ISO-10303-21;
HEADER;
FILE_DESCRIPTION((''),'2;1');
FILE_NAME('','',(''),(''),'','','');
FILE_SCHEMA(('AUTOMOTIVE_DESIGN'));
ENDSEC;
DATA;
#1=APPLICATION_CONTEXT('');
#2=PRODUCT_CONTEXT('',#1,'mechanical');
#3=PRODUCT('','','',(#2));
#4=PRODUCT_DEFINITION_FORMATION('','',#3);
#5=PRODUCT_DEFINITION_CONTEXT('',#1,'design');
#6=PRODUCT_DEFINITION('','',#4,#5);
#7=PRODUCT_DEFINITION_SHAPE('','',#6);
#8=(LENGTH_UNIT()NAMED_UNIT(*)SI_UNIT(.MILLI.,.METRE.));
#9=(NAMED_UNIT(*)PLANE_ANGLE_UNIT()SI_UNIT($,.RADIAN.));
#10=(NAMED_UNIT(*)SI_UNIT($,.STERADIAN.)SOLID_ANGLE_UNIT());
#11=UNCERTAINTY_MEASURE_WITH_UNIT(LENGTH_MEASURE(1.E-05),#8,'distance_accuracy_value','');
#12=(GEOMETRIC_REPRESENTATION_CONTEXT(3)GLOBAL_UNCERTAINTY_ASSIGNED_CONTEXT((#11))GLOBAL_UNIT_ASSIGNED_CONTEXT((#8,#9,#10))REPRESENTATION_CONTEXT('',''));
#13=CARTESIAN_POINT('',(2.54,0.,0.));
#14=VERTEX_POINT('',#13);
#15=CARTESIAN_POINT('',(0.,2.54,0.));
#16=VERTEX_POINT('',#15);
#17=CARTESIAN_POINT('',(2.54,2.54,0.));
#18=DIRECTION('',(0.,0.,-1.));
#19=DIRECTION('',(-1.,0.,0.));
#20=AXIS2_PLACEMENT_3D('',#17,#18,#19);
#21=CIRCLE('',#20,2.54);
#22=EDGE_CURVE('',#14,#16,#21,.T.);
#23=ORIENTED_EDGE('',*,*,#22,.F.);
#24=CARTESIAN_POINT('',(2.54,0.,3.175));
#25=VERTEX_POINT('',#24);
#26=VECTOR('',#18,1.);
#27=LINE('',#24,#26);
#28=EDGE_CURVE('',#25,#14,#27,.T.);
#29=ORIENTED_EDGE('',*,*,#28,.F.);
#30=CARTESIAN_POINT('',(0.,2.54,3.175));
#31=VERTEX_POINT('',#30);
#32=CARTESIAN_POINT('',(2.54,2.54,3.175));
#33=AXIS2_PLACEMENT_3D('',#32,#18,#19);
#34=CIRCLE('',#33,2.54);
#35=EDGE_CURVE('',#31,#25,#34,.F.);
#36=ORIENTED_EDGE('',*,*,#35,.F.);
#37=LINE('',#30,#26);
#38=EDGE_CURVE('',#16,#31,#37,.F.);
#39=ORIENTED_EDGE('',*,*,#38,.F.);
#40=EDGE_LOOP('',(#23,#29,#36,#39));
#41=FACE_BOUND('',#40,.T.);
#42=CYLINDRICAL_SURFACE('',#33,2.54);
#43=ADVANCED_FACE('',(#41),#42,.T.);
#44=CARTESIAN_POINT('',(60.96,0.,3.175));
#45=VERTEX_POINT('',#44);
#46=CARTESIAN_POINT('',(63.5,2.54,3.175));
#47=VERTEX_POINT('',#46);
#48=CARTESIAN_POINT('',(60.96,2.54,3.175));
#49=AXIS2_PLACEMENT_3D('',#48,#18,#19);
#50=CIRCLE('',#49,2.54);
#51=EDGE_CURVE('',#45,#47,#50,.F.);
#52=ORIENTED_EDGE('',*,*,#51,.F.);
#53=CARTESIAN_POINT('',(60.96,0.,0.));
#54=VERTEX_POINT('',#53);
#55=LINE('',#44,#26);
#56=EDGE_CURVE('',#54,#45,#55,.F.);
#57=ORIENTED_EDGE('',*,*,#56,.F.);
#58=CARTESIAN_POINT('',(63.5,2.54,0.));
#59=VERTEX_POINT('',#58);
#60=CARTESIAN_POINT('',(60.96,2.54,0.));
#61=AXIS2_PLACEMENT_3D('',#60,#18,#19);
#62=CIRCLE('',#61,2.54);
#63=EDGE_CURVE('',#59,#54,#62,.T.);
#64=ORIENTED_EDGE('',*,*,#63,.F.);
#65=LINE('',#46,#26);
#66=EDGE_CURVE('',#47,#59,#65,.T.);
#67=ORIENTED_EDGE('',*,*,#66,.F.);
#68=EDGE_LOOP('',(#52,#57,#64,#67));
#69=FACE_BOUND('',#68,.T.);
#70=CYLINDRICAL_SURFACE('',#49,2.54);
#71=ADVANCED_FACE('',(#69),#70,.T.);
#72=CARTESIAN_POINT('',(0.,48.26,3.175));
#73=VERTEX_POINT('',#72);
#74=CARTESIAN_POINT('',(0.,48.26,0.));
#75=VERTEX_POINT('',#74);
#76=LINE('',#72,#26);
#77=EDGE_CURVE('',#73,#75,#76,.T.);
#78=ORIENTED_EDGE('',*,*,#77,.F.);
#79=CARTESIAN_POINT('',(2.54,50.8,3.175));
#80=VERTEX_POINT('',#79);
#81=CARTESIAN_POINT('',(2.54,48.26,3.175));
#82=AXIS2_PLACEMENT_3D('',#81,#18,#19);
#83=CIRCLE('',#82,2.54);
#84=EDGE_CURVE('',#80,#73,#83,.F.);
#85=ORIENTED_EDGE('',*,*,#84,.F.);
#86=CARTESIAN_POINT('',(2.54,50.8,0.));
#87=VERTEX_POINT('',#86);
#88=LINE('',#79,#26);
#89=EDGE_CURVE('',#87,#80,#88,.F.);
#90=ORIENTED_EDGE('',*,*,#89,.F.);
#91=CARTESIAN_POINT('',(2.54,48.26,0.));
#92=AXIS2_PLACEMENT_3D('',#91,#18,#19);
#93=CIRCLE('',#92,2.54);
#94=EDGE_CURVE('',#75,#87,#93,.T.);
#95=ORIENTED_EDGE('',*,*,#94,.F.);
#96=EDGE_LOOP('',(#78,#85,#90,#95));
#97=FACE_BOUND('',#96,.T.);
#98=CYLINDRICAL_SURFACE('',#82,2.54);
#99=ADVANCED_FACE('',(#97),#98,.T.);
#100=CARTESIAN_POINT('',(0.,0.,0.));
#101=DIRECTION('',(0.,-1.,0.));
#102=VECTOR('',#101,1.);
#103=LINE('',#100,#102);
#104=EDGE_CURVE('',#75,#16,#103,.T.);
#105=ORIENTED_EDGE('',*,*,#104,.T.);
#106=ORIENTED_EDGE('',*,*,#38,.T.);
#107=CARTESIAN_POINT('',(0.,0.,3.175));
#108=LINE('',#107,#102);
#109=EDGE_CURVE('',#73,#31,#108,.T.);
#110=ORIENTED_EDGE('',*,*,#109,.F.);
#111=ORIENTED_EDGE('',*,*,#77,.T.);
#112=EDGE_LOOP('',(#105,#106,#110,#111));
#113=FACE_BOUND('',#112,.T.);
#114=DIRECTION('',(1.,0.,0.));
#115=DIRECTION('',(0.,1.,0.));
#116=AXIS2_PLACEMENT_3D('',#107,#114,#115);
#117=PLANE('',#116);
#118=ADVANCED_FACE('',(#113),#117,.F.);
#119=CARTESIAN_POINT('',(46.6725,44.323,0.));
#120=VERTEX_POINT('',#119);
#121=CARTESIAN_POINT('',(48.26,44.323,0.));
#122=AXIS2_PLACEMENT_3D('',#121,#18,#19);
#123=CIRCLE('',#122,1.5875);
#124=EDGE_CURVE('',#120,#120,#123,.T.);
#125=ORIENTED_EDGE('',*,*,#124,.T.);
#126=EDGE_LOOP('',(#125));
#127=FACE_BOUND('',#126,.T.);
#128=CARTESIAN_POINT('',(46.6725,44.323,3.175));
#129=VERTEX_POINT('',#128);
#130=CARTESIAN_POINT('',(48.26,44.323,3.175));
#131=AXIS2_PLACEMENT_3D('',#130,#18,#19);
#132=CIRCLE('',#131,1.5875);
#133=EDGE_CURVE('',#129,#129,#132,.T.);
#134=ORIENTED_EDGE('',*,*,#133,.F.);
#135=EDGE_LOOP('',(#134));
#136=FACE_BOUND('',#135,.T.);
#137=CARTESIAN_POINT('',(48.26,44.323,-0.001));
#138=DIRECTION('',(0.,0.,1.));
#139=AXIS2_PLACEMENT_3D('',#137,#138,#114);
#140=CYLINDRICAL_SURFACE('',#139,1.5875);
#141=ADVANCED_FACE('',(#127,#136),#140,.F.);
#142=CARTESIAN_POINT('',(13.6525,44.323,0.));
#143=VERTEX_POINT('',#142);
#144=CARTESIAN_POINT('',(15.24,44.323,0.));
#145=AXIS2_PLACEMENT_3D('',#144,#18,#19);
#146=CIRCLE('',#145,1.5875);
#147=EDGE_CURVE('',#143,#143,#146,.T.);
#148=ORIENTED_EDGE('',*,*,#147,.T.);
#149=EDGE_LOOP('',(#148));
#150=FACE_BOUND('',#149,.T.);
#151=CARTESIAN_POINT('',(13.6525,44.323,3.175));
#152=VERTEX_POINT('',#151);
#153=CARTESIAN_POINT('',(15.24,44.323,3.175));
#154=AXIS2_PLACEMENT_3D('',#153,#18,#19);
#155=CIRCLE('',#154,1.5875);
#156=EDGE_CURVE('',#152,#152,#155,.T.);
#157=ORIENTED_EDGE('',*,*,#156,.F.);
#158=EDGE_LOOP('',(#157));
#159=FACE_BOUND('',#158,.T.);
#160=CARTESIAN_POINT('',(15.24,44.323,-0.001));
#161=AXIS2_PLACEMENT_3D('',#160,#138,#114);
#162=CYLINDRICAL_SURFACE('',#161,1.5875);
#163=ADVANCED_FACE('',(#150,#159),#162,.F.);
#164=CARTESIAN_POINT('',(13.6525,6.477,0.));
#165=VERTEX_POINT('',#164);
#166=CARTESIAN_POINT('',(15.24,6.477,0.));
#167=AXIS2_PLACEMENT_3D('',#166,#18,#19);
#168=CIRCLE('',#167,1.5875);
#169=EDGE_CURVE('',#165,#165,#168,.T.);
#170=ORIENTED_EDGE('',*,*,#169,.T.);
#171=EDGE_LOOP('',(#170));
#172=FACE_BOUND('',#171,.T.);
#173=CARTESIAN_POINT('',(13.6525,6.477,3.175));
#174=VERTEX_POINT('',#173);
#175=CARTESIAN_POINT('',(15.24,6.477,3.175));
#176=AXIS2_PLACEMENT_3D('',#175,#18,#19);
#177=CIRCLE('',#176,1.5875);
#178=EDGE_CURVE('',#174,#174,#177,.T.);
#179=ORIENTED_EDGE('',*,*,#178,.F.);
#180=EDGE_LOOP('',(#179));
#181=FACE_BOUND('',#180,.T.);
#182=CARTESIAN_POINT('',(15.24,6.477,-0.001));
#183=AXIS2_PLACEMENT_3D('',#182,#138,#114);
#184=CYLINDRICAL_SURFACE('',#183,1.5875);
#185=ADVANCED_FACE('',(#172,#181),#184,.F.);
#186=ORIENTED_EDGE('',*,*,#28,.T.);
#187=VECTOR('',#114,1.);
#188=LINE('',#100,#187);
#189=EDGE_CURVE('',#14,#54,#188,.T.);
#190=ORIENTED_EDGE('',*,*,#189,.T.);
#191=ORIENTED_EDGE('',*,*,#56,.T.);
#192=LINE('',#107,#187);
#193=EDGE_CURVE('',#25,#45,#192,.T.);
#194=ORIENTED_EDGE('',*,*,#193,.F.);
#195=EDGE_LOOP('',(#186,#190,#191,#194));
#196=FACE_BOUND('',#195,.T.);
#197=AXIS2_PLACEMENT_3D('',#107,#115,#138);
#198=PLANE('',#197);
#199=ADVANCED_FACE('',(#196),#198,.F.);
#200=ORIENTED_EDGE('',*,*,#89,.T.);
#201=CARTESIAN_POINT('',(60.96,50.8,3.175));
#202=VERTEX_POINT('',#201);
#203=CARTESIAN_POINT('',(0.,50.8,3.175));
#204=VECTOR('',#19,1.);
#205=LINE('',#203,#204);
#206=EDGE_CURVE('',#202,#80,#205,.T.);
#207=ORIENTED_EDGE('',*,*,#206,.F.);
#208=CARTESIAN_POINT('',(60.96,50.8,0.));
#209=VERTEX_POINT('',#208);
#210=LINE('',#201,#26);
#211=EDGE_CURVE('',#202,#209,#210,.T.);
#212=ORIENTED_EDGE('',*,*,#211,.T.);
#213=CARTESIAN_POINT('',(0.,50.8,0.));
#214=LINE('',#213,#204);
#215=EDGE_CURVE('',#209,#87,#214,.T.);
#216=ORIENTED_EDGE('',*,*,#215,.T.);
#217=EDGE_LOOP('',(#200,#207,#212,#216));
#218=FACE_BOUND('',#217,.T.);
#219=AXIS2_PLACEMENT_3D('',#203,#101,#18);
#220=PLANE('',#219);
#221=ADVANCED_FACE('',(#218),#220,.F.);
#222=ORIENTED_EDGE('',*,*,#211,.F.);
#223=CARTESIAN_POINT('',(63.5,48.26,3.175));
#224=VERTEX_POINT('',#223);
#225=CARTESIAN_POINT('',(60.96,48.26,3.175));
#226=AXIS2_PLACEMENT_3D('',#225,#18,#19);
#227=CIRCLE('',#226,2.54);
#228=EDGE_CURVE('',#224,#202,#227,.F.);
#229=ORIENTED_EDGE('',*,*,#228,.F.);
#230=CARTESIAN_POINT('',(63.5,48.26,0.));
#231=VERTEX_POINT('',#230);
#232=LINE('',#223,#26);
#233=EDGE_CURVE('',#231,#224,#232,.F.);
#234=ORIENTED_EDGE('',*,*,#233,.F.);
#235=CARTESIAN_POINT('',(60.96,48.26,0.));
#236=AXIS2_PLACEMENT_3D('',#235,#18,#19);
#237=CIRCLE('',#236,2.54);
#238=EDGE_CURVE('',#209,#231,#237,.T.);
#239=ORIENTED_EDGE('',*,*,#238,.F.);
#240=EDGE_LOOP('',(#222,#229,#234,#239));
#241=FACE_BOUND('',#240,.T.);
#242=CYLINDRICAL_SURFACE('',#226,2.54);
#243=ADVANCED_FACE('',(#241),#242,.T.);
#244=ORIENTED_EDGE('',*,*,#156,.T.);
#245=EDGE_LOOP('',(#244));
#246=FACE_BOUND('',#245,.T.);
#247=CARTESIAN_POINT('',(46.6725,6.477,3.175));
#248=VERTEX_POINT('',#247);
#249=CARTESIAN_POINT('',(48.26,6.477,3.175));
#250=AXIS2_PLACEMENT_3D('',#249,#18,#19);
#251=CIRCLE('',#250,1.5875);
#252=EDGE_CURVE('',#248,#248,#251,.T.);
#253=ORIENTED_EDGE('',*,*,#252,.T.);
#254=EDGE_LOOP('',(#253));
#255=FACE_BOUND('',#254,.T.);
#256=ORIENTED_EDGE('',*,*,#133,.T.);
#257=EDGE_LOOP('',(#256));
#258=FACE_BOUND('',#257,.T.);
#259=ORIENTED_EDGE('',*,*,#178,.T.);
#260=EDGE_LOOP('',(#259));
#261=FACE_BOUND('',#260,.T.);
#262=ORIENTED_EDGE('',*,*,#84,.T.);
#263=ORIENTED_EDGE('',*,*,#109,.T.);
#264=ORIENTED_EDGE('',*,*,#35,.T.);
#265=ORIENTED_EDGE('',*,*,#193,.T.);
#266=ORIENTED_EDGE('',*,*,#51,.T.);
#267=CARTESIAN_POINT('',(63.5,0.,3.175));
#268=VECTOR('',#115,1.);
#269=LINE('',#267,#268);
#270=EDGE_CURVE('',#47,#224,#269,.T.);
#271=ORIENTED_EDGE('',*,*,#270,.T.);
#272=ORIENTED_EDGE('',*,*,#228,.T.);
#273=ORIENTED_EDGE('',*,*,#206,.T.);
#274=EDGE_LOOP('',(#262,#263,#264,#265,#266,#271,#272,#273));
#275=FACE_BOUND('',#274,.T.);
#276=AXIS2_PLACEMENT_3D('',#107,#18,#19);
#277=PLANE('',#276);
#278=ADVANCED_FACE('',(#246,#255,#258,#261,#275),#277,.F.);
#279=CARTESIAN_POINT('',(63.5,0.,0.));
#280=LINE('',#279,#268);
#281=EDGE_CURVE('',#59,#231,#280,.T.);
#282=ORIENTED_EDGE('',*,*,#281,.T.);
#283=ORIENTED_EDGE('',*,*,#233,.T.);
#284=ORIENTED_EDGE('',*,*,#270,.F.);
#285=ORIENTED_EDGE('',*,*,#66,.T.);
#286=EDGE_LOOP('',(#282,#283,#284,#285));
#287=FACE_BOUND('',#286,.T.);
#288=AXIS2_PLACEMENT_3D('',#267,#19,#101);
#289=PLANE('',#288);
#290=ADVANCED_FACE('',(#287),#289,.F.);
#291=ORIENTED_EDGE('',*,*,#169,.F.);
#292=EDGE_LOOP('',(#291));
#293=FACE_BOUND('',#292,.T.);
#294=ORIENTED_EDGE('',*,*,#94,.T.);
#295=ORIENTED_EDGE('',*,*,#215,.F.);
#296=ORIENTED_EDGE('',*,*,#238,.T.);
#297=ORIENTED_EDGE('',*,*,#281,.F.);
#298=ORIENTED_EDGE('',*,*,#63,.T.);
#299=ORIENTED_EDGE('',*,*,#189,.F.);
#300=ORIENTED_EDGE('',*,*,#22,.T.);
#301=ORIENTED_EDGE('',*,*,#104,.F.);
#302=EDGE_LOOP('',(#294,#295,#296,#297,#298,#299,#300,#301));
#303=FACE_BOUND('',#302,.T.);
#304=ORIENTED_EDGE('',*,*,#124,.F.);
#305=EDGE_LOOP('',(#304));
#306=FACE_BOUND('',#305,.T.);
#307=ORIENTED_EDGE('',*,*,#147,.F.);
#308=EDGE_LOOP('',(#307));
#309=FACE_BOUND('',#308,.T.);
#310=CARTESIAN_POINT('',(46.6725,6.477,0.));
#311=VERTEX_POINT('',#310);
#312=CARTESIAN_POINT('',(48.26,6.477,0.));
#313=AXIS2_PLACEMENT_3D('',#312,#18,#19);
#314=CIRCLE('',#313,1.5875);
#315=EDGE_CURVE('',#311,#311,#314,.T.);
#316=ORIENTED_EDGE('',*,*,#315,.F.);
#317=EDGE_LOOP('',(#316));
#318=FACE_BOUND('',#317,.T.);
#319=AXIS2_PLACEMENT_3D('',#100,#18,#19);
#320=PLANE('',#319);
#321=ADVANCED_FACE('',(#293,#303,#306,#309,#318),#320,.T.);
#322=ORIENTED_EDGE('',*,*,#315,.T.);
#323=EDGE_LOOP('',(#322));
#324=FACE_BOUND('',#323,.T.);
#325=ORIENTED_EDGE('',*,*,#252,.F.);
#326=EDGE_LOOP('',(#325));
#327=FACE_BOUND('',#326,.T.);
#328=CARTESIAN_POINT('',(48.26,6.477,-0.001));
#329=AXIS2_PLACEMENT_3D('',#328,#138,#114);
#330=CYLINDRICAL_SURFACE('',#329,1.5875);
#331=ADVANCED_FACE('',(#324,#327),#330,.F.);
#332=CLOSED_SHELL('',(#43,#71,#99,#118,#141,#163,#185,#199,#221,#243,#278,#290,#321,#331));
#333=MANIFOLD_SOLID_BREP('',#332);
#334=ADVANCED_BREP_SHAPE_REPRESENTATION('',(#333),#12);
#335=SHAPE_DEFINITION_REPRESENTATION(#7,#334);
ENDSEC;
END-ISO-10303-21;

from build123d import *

# Parameters (mm, degrees)
SKETCH1_W           = 63.5
SKETCH1_H           = 50.8
BOSS_EXTRUDE1_DEPTH = 3.175
FILLET1_R           = 2.54
SKETCH4_R           = 1.5875
CUT_EXTRUDE1_DEPTH  = 3.175


with BuildPart() as part:
    # Sketch1 → Boss-Extrude1 (new body)
    with BuildSketch(Plane.XY):
        with Locations((31.75, 25.4)):
            Rectangle(SKETCH1_W, SKETCH1_H)
    extrude(amount=BOSS_EXTRUDE1_DEPTH)

    # Fillet1
    fillet1_edges = [part.edges().sort_by_distance(p)[0] for p in [
        (0, 50.8, 1.5875),
        (63.5, 50.8, 1.5875),
        (63.5, 0, 1.5875),
        (0, 0, 1.5875),
    ]]
    fillet(fillet1_edges, radius=FILLET1_R)

    # Sketch4 → Cut-Extrude1 (cut)
    with BuildSketch(Plane.XY.offset(3.175)):
        with Locations(Location((15.24, 6.477, 0), (0, 0, 180))):
            Circle(SKETCH4_R)
        with Locations(Location((15.24, 44.323, 0), (0, 0, 180))):
            Circle(SKETCH4_R)
        with Locations(Location((48.26, 44.323, 0), (0, 0, 180))):
            Circle(SKETCH4_R)
        with Locations(Location((48.26, 6.477, 0), (0, 0, 180))):
            Circle(SKETCH4_R)
    extrude(amount=-CUT_EXTRUDE1_DEPTH, mode=Mode.SUBTRACT)


solid = part.part
